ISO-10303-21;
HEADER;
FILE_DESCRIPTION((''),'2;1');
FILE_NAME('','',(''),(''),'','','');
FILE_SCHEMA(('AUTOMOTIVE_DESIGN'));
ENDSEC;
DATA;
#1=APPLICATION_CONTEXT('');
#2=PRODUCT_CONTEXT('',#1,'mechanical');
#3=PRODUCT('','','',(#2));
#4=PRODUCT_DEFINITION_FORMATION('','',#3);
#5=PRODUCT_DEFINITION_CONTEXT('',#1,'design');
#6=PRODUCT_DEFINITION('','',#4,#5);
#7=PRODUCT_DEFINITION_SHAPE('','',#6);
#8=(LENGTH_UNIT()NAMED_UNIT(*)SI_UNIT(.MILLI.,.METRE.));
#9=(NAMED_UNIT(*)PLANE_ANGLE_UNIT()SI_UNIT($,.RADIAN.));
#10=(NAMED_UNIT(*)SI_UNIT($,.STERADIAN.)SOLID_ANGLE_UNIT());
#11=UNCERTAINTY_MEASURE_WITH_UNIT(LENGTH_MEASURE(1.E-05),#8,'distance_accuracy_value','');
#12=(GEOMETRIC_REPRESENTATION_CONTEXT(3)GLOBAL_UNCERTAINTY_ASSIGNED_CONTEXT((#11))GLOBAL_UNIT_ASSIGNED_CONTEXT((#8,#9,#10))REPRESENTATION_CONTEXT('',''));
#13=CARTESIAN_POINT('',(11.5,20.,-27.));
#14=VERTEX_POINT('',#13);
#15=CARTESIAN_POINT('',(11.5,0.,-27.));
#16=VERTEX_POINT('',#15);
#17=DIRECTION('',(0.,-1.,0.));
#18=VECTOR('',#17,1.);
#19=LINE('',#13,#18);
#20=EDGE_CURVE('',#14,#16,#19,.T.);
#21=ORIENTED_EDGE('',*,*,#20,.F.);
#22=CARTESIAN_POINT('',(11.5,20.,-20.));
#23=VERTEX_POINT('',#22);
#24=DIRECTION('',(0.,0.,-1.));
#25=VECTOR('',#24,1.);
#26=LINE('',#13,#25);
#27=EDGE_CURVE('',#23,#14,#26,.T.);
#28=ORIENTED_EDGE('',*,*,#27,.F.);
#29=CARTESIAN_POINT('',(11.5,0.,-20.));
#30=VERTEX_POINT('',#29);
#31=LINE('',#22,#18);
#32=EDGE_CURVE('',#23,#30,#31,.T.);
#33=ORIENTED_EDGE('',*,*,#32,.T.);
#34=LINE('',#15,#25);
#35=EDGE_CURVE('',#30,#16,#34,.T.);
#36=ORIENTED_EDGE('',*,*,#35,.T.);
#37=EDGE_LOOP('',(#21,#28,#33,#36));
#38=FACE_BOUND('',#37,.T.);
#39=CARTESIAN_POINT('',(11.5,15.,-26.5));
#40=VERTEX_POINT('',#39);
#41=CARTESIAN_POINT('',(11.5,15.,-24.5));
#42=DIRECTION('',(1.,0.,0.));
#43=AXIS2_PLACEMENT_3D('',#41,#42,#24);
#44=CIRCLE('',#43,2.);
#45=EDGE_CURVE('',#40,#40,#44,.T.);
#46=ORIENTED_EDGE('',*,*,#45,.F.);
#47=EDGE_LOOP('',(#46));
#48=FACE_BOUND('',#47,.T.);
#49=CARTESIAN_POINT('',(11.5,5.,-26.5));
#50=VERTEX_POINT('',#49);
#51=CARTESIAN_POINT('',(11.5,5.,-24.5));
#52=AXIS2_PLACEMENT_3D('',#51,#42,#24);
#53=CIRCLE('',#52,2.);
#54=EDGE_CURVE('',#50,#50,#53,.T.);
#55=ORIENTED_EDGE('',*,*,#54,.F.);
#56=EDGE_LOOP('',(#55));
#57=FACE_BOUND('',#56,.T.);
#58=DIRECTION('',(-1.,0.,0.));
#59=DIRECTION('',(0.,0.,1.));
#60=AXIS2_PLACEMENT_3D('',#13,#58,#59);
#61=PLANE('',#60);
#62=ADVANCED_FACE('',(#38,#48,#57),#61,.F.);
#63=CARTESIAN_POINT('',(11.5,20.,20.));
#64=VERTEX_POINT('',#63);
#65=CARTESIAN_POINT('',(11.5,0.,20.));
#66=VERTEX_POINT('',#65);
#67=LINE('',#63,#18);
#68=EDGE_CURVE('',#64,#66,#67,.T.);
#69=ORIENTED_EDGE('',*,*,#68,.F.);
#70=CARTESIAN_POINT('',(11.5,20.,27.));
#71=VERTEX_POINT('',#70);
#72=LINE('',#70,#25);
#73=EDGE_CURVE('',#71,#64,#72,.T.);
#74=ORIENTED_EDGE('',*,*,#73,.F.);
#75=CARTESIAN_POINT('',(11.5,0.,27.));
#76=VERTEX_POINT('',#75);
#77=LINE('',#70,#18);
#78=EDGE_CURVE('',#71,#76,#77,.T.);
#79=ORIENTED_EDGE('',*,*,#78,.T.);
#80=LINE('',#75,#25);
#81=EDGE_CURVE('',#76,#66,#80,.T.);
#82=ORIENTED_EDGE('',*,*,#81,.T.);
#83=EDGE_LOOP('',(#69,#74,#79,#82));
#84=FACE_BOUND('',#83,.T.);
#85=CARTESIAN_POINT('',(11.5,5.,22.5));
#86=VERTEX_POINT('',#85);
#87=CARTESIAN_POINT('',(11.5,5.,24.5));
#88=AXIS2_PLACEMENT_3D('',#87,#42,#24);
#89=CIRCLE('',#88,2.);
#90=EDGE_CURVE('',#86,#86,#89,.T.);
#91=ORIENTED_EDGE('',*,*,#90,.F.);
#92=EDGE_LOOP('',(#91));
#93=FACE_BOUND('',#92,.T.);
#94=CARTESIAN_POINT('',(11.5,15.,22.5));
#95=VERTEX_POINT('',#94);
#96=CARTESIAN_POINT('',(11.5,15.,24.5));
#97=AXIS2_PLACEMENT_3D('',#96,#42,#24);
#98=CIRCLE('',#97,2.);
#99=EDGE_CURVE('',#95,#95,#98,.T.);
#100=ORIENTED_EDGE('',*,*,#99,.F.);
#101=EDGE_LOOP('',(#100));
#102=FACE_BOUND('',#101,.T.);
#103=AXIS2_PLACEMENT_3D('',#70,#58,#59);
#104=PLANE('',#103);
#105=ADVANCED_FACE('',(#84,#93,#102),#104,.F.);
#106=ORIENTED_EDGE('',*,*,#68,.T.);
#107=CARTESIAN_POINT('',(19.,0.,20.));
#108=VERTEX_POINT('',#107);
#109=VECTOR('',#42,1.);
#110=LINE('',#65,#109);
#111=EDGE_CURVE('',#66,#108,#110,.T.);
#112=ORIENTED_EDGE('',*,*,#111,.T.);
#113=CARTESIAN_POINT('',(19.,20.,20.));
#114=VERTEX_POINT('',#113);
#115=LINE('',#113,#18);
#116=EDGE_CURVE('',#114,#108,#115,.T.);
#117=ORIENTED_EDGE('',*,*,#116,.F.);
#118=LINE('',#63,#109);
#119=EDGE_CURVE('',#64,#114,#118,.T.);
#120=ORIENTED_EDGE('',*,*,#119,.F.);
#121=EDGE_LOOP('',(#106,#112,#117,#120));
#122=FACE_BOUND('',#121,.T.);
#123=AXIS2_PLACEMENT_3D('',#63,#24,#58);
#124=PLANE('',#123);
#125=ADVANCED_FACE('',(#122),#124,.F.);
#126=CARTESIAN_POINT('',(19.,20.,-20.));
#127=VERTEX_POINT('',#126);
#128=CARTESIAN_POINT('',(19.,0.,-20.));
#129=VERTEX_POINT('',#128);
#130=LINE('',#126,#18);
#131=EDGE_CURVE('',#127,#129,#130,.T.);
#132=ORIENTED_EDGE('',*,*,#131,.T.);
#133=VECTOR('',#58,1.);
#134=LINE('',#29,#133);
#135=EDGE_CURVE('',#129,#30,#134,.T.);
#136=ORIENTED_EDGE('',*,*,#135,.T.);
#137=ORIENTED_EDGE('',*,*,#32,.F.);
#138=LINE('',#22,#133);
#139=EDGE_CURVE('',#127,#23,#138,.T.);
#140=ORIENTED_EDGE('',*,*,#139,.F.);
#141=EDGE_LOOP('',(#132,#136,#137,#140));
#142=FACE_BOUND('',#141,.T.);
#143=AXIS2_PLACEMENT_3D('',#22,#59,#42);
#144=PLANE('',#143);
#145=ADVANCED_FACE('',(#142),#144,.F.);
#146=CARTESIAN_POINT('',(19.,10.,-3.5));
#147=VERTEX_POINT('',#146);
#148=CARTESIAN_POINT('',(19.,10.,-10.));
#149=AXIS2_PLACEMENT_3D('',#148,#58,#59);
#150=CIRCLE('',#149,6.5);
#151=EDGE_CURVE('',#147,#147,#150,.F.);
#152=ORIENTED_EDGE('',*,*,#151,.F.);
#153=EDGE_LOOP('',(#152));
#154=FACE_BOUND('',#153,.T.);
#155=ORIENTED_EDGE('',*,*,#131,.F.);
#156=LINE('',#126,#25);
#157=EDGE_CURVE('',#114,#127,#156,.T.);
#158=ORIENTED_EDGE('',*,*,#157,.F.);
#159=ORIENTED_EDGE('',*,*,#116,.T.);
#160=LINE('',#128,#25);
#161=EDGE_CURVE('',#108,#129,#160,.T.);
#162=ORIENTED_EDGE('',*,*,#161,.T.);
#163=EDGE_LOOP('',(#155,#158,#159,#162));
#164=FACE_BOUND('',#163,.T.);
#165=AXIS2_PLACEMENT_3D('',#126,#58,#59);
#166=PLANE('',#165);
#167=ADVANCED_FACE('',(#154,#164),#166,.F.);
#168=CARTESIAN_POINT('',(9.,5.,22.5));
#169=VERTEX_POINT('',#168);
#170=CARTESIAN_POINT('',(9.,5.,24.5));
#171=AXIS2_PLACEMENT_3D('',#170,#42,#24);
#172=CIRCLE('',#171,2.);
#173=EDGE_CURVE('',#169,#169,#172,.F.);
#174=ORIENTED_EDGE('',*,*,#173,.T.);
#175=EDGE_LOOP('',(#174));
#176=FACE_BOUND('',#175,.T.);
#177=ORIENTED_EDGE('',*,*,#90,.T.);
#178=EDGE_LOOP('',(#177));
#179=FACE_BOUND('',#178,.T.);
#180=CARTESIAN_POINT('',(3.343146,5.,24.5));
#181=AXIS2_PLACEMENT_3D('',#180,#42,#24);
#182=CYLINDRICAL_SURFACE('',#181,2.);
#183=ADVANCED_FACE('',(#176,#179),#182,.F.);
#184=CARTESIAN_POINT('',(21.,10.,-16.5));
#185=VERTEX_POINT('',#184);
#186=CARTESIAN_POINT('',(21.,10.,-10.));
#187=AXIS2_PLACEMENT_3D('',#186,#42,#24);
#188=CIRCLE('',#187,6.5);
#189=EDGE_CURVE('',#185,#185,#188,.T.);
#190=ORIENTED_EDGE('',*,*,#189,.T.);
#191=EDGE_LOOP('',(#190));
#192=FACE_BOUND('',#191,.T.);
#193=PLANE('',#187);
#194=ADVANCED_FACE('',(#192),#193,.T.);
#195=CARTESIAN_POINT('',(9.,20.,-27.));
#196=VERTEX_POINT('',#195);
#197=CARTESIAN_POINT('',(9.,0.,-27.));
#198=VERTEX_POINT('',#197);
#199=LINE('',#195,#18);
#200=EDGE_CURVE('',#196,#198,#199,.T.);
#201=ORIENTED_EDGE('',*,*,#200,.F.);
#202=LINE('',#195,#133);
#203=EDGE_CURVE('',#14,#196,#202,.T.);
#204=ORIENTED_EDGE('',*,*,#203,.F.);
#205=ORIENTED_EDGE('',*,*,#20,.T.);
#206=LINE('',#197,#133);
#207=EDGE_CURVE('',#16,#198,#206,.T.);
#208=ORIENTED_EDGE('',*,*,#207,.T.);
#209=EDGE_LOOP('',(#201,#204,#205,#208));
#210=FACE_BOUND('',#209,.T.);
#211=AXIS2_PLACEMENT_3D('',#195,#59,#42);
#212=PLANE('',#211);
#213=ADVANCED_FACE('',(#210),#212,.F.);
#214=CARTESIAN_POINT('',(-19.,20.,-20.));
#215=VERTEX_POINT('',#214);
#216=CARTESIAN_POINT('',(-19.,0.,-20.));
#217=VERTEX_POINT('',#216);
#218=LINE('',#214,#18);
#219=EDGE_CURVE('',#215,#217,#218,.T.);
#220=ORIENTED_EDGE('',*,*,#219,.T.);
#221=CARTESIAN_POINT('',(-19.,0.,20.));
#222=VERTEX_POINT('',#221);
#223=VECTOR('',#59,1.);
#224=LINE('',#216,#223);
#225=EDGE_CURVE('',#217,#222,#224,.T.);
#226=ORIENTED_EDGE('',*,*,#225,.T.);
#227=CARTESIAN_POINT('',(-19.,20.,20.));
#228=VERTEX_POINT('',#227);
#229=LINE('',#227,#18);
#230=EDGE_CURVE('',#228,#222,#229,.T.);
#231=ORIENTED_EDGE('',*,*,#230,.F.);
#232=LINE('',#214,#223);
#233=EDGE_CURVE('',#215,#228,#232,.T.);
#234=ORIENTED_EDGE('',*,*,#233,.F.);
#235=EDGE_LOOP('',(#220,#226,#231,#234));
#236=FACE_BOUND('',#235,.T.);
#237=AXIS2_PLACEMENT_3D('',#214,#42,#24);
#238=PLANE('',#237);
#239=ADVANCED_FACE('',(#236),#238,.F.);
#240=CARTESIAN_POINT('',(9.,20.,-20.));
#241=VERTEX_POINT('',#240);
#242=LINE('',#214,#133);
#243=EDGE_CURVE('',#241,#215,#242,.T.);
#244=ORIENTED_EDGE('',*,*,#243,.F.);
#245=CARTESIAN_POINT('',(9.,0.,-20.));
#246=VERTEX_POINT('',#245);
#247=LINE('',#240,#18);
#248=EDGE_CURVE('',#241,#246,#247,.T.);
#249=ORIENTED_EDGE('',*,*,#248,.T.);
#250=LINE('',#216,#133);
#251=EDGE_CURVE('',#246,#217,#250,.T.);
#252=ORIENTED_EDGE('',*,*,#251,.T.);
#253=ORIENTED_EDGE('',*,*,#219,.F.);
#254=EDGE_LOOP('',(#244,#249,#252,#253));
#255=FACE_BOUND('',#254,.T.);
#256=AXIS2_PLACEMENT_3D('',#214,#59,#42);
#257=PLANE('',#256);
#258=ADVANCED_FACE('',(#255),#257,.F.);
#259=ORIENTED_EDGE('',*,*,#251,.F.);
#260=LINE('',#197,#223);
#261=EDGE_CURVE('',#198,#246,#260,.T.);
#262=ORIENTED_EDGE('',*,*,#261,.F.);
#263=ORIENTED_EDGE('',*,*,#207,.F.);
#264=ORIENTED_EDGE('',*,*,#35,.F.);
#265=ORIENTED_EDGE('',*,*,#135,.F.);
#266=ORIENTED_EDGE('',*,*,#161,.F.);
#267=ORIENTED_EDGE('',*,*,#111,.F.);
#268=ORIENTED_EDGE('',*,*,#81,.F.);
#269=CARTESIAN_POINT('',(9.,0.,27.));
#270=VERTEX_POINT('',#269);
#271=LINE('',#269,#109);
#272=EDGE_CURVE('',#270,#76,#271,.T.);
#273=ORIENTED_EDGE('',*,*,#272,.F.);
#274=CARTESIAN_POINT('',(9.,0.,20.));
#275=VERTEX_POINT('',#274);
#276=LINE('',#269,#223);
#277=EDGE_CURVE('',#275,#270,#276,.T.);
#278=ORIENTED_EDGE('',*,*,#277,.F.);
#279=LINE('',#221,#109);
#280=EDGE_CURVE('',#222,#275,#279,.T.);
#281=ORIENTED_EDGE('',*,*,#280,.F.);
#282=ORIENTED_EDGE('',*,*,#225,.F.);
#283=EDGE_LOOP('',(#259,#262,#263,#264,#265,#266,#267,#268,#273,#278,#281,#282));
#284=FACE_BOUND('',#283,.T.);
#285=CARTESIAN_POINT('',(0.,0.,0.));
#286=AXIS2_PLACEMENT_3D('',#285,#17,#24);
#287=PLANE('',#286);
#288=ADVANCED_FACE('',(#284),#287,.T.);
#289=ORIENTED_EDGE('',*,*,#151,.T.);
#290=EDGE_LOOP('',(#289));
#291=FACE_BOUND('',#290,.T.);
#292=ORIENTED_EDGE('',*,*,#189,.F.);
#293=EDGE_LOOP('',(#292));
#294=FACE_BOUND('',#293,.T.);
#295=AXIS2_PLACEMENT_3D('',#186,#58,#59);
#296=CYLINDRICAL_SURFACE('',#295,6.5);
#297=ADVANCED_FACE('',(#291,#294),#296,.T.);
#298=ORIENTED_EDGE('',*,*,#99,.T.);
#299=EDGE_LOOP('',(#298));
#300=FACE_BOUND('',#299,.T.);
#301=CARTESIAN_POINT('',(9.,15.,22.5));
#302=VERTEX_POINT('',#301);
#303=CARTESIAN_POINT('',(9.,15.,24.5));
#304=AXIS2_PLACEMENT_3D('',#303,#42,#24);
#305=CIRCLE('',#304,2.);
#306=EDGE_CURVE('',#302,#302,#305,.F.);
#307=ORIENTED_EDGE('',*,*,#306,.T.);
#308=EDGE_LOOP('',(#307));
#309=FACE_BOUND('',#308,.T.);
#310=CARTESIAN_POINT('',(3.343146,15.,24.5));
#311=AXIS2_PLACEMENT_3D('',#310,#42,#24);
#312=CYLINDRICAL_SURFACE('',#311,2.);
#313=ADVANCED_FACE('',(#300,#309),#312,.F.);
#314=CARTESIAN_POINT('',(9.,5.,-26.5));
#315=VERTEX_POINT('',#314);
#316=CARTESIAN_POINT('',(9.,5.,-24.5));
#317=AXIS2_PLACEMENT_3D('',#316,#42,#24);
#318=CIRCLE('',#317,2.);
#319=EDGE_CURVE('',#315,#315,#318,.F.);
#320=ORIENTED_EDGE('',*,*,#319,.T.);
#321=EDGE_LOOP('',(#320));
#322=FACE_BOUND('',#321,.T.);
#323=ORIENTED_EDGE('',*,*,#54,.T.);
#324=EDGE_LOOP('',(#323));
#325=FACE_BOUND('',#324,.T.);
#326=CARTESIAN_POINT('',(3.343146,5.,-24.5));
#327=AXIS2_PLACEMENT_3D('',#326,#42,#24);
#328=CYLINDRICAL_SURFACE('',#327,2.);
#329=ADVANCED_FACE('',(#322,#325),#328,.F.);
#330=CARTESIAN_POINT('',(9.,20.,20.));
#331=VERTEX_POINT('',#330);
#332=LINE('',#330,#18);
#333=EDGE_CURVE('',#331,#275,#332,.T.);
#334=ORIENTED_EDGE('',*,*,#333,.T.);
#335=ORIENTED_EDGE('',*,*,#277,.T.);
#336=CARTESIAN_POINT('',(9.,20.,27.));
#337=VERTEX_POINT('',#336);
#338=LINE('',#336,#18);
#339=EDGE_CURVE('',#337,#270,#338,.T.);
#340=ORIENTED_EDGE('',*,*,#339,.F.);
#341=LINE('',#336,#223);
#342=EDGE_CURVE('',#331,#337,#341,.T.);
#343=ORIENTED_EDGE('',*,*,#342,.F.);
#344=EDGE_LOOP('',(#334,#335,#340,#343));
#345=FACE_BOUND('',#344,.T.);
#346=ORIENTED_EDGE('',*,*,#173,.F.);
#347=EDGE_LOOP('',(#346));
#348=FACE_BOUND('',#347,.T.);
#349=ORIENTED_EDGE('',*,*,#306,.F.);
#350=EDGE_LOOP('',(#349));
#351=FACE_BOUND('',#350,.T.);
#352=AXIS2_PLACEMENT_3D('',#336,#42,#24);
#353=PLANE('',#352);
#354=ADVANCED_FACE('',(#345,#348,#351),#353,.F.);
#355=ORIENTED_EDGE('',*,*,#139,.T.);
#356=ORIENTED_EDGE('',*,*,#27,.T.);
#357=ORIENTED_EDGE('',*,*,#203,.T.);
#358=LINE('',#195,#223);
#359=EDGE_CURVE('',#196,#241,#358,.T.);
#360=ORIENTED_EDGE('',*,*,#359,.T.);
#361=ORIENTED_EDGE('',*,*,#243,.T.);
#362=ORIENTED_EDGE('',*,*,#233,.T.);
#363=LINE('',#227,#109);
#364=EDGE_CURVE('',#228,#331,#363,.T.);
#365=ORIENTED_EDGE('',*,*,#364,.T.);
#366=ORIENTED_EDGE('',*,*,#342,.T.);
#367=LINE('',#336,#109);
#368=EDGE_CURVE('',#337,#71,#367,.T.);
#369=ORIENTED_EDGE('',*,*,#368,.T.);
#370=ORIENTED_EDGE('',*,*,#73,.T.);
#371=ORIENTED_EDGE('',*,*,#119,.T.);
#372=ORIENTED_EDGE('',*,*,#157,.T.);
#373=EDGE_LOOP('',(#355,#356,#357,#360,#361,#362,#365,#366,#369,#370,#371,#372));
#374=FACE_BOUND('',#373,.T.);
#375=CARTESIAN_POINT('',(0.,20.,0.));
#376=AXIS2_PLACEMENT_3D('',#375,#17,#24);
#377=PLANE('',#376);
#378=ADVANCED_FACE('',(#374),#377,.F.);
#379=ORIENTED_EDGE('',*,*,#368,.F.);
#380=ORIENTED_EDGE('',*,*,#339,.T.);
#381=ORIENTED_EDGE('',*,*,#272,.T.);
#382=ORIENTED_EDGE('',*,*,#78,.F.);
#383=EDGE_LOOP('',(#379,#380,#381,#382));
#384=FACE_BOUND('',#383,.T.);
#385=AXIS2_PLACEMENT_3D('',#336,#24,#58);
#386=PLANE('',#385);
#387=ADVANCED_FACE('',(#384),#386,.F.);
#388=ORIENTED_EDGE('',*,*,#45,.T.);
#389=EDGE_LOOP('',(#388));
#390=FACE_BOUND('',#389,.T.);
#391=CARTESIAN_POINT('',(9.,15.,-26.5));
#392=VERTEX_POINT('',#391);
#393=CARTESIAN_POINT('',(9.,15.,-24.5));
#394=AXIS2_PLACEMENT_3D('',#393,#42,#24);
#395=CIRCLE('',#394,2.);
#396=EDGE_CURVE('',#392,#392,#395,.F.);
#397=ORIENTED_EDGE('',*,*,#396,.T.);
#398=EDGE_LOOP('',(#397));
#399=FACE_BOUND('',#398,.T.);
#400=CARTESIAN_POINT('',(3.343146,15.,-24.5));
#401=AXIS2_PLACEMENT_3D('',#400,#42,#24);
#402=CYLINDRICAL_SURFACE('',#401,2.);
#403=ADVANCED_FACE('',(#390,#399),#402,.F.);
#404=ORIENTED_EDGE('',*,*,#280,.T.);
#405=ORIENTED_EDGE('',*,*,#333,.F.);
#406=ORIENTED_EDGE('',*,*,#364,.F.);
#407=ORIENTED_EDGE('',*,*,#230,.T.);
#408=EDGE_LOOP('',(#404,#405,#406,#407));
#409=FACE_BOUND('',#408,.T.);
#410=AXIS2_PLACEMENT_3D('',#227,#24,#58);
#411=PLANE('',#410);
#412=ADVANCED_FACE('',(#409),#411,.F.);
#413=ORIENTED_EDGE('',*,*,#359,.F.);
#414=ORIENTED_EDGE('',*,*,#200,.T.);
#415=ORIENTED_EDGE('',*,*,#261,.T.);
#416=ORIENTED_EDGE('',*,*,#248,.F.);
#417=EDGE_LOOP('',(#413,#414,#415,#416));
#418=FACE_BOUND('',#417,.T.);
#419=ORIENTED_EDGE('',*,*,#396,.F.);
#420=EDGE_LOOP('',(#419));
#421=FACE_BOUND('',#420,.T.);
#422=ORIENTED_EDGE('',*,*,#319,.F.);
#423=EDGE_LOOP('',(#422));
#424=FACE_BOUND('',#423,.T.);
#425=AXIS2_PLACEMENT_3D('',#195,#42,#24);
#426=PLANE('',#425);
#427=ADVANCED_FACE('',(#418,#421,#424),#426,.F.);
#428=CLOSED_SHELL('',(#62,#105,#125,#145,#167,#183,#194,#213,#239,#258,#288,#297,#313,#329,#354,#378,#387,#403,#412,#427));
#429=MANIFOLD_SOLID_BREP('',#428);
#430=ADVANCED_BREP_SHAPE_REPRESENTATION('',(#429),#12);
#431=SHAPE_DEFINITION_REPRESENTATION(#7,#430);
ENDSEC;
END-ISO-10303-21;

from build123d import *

# Parameters (mm, degrees)
BOSS_EXTRUDE1_DEPTH = 20
SKETCH2_R           = 2
CUT_EXTRUDE1_DEPTH  = 2.5
SKETCH3_R           = 6.5
BOSS_EXTRUDE2_DEPTH = 2


with BuildPart() as part:
    # Sketch1 → Boss-Extrude1 (new body)
    with BuildSketch(Plane(origin=(0, 0, 0), x_dir=(1, 0, 0), z_dir=(0, 1, 0))):
        Polygon((11.5, 20), (19, 20), (19, -20), (11.5, -20), (11.5, -27), (9, -27), (9, -20), (-19, -20), (-19, 20), (9, 20), (9, 27), (11.5, 27), align=None)
    extrude(amount=BOSS_EXTRUDE1_DEPTH)

    # Sketch2 → Cut-Extrude1 (cut)
    with BuildSketch(Plane(origin=(11.5, 0, 0), x_dir=(0, 0, -1), z_dir=(1, 0, 0))):
        with Locations((-24.5, 15)):
            Circle(SKETCH2_R)
        with Locations((-24.5, 5)):
            Circle(SKETCH2_R)
        with Locations((24.5, 5)):
            Circle(SKETCH2_R)
        with Locations((24.5, 15)):
            Circle(SKETCH2_R)
    extrude(amount=-CUT_EXTRUDE1_DEPTH, mode=Mode.SUBTRACT)

    # Sketch3 → Boss-Extrude2 (add)
    with BuildSketch(Plane(origin=(19, 0, 0), x_dir=(0, 0, -1), z_dir=(1, 0, 0))):
        with Locations(Location((10, 10, 0), (0, 0, 180))):
            Circle(SKETCH3_R)
    extrude(amount=BOSS_EXTRUDE2_DEPTH)


solid = part.part
